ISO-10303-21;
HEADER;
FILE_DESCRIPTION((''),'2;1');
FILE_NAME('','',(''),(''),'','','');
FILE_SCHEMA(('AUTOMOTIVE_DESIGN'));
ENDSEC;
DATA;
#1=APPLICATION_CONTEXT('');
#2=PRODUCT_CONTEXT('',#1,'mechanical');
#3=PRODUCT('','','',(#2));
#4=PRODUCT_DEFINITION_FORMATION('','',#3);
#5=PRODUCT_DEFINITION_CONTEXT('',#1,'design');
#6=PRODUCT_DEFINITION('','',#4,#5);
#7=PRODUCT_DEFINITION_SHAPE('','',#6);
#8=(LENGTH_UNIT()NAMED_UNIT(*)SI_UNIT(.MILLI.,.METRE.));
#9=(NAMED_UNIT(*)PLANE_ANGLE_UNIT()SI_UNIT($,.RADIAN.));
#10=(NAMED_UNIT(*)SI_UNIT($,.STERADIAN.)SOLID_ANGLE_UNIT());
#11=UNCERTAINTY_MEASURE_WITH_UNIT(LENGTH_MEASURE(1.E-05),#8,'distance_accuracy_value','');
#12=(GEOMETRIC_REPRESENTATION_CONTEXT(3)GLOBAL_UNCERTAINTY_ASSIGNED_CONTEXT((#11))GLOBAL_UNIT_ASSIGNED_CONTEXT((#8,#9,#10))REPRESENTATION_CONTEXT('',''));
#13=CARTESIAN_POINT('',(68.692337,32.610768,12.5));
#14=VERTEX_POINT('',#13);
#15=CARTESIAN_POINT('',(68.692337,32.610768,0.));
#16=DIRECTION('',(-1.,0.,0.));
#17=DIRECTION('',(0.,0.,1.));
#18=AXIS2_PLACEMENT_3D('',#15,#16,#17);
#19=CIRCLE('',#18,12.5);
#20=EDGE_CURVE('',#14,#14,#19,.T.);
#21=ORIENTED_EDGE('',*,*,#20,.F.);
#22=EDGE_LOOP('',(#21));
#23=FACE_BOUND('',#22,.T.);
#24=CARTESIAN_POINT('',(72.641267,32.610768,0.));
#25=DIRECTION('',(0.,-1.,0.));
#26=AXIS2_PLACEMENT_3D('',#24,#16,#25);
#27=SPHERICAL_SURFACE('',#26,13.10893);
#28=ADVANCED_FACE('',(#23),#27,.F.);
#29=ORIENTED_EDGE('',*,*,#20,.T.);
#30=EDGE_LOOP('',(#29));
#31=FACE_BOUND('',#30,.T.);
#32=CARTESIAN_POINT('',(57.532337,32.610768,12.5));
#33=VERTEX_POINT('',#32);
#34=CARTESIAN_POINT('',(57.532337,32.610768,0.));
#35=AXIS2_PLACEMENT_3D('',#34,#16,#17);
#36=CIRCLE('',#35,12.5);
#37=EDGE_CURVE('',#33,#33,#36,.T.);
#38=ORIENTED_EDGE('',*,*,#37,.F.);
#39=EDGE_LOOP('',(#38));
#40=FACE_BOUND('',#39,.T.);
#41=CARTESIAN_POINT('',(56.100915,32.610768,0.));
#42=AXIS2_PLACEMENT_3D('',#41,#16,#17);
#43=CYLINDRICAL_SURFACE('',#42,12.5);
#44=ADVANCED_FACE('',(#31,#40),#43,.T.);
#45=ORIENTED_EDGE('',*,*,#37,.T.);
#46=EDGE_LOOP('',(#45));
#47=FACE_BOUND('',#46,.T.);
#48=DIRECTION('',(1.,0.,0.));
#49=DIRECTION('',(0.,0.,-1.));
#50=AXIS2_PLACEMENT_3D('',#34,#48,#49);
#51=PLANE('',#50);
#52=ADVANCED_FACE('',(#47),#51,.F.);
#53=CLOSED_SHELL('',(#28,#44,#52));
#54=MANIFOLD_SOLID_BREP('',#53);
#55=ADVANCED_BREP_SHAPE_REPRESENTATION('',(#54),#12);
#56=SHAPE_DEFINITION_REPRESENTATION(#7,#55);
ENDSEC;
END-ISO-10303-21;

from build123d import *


with BuildPart() as part:
    # 草图1 → 旋转1 (revolve)
    with BuildSketch(Plane.XY, mode=Mode.PRIVATE) as revolve_1_sk:
        with BuildLine():
            Line((57.532337053, 32.610768129), (57.532337053, 45.110768129))
            Line((57.532337053, 45.110768129), (68.692337053, 45.110768129))
            ThreePointArc((68.692337053, 45.110768129), (62.067471783, 40.359245399), (59.532337053, 32.610768129))
            Line((59.532337053, 32.610768129), (57.532337053, 32.610768129))
        make_face()
    revolve(revolve_1_sk.sketch.rotate(Axis((56.10091508, 32.610768129, 0), (1, 0, 0)), 180), axis=Axis((56.10091508, 32.610768129, 0), (1, 0, 0)))  # turned: the seam where the file's is


solid = part.part
